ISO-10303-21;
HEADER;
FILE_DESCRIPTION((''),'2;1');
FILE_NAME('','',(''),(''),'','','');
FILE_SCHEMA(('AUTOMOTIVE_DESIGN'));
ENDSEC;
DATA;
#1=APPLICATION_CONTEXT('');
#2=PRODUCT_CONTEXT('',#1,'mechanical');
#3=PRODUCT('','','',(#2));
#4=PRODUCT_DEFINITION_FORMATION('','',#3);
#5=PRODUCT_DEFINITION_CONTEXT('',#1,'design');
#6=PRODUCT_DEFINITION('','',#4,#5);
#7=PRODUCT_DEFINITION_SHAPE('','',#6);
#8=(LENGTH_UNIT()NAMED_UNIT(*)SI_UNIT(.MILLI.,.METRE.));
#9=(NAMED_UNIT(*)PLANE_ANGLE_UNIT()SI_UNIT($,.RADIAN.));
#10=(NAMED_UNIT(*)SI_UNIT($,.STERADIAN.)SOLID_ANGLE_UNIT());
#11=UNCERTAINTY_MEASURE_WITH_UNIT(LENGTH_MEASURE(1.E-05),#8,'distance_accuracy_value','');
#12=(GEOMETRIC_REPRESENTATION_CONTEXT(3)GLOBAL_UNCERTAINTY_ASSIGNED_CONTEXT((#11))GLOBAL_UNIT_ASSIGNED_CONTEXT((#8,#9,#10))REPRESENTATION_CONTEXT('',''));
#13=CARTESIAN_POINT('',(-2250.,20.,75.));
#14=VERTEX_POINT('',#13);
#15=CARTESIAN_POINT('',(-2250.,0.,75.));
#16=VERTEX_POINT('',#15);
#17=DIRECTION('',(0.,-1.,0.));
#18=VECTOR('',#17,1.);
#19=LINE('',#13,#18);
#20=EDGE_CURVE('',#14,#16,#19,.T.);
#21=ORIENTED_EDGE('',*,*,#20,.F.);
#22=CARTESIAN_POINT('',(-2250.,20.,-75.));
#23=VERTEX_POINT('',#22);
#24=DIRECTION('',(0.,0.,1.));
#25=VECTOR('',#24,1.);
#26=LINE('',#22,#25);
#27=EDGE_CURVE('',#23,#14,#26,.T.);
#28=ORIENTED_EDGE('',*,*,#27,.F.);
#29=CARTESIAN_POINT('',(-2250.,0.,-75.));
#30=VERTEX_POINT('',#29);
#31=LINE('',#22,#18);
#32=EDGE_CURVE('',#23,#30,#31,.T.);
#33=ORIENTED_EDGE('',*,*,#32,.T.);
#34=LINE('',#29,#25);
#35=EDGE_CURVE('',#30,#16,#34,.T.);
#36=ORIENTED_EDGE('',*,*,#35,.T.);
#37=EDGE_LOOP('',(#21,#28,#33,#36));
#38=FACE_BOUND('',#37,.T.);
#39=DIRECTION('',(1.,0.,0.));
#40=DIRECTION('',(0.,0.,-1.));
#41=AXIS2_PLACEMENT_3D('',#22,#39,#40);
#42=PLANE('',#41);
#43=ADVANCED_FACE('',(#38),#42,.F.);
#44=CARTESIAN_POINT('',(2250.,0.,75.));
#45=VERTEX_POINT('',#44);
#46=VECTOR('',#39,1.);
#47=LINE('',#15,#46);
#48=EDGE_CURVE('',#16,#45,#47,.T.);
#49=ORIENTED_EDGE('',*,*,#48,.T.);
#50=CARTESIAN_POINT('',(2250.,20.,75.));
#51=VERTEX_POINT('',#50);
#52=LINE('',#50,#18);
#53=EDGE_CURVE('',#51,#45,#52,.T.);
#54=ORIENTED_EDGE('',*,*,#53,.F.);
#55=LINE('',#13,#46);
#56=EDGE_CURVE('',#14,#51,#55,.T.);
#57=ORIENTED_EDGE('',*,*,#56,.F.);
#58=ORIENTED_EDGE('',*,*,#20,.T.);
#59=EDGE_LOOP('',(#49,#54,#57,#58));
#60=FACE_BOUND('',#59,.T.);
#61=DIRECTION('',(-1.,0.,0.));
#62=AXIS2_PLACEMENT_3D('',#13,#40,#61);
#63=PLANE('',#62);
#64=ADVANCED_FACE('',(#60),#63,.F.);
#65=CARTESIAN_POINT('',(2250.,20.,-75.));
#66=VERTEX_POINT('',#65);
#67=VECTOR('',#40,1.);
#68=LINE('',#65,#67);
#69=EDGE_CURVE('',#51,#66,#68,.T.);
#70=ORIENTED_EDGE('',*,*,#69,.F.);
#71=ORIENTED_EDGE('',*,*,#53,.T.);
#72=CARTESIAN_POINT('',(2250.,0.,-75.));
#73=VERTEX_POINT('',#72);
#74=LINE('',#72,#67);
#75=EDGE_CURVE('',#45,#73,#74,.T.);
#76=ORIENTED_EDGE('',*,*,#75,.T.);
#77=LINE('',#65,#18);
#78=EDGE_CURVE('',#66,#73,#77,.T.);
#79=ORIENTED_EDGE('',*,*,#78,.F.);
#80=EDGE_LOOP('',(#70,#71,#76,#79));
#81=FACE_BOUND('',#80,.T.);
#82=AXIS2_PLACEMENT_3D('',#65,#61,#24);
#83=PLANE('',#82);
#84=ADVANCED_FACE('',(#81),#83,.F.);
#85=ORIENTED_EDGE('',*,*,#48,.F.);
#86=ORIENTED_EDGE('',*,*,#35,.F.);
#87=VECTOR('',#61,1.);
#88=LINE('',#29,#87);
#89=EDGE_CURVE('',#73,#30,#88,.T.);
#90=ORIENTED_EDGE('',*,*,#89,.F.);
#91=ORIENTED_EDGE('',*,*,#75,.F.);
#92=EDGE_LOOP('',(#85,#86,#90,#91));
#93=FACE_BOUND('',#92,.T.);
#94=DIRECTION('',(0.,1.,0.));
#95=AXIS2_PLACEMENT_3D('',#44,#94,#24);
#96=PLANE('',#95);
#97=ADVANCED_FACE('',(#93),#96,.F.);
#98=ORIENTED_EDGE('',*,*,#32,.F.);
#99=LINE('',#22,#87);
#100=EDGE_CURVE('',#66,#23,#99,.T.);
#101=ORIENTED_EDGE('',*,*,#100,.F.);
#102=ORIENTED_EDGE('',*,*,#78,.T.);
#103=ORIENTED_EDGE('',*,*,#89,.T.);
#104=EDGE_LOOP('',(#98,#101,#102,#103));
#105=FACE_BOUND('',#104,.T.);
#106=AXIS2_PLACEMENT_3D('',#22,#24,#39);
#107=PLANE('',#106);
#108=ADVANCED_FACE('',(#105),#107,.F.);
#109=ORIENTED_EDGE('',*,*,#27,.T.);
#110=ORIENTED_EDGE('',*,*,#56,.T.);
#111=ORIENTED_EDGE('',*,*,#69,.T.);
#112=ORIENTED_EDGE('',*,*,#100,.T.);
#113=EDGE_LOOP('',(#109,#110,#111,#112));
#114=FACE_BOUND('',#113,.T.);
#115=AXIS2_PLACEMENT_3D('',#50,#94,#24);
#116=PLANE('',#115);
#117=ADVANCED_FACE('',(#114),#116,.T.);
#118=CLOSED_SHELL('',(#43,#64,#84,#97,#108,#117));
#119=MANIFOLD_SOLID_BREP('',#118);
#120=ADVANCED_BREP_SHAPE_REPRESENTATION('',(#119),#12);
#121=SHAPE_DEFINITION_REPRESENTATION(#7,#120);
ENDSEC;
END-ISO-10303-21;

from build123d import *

# Parameters (mm, degrees)
SKETCH_1_W      = 4500
SKETCH_1_H      = 150
EXTRUDE_1_DEPTH = 20


with BuildPart() as part:
    # 草图1 → 凸台-拉伸1 (new body)
    with BuildSketch(Plane(origin=(0, 0, 0), x_dir=(1, 0, 0), z_dir=(0, 1, 0))):
        Rectangle(SKETCH_1_W, SKETCH_1_H)
    extrude(amount=EXTRUDE_1_DEPTH)


solid = part.part
